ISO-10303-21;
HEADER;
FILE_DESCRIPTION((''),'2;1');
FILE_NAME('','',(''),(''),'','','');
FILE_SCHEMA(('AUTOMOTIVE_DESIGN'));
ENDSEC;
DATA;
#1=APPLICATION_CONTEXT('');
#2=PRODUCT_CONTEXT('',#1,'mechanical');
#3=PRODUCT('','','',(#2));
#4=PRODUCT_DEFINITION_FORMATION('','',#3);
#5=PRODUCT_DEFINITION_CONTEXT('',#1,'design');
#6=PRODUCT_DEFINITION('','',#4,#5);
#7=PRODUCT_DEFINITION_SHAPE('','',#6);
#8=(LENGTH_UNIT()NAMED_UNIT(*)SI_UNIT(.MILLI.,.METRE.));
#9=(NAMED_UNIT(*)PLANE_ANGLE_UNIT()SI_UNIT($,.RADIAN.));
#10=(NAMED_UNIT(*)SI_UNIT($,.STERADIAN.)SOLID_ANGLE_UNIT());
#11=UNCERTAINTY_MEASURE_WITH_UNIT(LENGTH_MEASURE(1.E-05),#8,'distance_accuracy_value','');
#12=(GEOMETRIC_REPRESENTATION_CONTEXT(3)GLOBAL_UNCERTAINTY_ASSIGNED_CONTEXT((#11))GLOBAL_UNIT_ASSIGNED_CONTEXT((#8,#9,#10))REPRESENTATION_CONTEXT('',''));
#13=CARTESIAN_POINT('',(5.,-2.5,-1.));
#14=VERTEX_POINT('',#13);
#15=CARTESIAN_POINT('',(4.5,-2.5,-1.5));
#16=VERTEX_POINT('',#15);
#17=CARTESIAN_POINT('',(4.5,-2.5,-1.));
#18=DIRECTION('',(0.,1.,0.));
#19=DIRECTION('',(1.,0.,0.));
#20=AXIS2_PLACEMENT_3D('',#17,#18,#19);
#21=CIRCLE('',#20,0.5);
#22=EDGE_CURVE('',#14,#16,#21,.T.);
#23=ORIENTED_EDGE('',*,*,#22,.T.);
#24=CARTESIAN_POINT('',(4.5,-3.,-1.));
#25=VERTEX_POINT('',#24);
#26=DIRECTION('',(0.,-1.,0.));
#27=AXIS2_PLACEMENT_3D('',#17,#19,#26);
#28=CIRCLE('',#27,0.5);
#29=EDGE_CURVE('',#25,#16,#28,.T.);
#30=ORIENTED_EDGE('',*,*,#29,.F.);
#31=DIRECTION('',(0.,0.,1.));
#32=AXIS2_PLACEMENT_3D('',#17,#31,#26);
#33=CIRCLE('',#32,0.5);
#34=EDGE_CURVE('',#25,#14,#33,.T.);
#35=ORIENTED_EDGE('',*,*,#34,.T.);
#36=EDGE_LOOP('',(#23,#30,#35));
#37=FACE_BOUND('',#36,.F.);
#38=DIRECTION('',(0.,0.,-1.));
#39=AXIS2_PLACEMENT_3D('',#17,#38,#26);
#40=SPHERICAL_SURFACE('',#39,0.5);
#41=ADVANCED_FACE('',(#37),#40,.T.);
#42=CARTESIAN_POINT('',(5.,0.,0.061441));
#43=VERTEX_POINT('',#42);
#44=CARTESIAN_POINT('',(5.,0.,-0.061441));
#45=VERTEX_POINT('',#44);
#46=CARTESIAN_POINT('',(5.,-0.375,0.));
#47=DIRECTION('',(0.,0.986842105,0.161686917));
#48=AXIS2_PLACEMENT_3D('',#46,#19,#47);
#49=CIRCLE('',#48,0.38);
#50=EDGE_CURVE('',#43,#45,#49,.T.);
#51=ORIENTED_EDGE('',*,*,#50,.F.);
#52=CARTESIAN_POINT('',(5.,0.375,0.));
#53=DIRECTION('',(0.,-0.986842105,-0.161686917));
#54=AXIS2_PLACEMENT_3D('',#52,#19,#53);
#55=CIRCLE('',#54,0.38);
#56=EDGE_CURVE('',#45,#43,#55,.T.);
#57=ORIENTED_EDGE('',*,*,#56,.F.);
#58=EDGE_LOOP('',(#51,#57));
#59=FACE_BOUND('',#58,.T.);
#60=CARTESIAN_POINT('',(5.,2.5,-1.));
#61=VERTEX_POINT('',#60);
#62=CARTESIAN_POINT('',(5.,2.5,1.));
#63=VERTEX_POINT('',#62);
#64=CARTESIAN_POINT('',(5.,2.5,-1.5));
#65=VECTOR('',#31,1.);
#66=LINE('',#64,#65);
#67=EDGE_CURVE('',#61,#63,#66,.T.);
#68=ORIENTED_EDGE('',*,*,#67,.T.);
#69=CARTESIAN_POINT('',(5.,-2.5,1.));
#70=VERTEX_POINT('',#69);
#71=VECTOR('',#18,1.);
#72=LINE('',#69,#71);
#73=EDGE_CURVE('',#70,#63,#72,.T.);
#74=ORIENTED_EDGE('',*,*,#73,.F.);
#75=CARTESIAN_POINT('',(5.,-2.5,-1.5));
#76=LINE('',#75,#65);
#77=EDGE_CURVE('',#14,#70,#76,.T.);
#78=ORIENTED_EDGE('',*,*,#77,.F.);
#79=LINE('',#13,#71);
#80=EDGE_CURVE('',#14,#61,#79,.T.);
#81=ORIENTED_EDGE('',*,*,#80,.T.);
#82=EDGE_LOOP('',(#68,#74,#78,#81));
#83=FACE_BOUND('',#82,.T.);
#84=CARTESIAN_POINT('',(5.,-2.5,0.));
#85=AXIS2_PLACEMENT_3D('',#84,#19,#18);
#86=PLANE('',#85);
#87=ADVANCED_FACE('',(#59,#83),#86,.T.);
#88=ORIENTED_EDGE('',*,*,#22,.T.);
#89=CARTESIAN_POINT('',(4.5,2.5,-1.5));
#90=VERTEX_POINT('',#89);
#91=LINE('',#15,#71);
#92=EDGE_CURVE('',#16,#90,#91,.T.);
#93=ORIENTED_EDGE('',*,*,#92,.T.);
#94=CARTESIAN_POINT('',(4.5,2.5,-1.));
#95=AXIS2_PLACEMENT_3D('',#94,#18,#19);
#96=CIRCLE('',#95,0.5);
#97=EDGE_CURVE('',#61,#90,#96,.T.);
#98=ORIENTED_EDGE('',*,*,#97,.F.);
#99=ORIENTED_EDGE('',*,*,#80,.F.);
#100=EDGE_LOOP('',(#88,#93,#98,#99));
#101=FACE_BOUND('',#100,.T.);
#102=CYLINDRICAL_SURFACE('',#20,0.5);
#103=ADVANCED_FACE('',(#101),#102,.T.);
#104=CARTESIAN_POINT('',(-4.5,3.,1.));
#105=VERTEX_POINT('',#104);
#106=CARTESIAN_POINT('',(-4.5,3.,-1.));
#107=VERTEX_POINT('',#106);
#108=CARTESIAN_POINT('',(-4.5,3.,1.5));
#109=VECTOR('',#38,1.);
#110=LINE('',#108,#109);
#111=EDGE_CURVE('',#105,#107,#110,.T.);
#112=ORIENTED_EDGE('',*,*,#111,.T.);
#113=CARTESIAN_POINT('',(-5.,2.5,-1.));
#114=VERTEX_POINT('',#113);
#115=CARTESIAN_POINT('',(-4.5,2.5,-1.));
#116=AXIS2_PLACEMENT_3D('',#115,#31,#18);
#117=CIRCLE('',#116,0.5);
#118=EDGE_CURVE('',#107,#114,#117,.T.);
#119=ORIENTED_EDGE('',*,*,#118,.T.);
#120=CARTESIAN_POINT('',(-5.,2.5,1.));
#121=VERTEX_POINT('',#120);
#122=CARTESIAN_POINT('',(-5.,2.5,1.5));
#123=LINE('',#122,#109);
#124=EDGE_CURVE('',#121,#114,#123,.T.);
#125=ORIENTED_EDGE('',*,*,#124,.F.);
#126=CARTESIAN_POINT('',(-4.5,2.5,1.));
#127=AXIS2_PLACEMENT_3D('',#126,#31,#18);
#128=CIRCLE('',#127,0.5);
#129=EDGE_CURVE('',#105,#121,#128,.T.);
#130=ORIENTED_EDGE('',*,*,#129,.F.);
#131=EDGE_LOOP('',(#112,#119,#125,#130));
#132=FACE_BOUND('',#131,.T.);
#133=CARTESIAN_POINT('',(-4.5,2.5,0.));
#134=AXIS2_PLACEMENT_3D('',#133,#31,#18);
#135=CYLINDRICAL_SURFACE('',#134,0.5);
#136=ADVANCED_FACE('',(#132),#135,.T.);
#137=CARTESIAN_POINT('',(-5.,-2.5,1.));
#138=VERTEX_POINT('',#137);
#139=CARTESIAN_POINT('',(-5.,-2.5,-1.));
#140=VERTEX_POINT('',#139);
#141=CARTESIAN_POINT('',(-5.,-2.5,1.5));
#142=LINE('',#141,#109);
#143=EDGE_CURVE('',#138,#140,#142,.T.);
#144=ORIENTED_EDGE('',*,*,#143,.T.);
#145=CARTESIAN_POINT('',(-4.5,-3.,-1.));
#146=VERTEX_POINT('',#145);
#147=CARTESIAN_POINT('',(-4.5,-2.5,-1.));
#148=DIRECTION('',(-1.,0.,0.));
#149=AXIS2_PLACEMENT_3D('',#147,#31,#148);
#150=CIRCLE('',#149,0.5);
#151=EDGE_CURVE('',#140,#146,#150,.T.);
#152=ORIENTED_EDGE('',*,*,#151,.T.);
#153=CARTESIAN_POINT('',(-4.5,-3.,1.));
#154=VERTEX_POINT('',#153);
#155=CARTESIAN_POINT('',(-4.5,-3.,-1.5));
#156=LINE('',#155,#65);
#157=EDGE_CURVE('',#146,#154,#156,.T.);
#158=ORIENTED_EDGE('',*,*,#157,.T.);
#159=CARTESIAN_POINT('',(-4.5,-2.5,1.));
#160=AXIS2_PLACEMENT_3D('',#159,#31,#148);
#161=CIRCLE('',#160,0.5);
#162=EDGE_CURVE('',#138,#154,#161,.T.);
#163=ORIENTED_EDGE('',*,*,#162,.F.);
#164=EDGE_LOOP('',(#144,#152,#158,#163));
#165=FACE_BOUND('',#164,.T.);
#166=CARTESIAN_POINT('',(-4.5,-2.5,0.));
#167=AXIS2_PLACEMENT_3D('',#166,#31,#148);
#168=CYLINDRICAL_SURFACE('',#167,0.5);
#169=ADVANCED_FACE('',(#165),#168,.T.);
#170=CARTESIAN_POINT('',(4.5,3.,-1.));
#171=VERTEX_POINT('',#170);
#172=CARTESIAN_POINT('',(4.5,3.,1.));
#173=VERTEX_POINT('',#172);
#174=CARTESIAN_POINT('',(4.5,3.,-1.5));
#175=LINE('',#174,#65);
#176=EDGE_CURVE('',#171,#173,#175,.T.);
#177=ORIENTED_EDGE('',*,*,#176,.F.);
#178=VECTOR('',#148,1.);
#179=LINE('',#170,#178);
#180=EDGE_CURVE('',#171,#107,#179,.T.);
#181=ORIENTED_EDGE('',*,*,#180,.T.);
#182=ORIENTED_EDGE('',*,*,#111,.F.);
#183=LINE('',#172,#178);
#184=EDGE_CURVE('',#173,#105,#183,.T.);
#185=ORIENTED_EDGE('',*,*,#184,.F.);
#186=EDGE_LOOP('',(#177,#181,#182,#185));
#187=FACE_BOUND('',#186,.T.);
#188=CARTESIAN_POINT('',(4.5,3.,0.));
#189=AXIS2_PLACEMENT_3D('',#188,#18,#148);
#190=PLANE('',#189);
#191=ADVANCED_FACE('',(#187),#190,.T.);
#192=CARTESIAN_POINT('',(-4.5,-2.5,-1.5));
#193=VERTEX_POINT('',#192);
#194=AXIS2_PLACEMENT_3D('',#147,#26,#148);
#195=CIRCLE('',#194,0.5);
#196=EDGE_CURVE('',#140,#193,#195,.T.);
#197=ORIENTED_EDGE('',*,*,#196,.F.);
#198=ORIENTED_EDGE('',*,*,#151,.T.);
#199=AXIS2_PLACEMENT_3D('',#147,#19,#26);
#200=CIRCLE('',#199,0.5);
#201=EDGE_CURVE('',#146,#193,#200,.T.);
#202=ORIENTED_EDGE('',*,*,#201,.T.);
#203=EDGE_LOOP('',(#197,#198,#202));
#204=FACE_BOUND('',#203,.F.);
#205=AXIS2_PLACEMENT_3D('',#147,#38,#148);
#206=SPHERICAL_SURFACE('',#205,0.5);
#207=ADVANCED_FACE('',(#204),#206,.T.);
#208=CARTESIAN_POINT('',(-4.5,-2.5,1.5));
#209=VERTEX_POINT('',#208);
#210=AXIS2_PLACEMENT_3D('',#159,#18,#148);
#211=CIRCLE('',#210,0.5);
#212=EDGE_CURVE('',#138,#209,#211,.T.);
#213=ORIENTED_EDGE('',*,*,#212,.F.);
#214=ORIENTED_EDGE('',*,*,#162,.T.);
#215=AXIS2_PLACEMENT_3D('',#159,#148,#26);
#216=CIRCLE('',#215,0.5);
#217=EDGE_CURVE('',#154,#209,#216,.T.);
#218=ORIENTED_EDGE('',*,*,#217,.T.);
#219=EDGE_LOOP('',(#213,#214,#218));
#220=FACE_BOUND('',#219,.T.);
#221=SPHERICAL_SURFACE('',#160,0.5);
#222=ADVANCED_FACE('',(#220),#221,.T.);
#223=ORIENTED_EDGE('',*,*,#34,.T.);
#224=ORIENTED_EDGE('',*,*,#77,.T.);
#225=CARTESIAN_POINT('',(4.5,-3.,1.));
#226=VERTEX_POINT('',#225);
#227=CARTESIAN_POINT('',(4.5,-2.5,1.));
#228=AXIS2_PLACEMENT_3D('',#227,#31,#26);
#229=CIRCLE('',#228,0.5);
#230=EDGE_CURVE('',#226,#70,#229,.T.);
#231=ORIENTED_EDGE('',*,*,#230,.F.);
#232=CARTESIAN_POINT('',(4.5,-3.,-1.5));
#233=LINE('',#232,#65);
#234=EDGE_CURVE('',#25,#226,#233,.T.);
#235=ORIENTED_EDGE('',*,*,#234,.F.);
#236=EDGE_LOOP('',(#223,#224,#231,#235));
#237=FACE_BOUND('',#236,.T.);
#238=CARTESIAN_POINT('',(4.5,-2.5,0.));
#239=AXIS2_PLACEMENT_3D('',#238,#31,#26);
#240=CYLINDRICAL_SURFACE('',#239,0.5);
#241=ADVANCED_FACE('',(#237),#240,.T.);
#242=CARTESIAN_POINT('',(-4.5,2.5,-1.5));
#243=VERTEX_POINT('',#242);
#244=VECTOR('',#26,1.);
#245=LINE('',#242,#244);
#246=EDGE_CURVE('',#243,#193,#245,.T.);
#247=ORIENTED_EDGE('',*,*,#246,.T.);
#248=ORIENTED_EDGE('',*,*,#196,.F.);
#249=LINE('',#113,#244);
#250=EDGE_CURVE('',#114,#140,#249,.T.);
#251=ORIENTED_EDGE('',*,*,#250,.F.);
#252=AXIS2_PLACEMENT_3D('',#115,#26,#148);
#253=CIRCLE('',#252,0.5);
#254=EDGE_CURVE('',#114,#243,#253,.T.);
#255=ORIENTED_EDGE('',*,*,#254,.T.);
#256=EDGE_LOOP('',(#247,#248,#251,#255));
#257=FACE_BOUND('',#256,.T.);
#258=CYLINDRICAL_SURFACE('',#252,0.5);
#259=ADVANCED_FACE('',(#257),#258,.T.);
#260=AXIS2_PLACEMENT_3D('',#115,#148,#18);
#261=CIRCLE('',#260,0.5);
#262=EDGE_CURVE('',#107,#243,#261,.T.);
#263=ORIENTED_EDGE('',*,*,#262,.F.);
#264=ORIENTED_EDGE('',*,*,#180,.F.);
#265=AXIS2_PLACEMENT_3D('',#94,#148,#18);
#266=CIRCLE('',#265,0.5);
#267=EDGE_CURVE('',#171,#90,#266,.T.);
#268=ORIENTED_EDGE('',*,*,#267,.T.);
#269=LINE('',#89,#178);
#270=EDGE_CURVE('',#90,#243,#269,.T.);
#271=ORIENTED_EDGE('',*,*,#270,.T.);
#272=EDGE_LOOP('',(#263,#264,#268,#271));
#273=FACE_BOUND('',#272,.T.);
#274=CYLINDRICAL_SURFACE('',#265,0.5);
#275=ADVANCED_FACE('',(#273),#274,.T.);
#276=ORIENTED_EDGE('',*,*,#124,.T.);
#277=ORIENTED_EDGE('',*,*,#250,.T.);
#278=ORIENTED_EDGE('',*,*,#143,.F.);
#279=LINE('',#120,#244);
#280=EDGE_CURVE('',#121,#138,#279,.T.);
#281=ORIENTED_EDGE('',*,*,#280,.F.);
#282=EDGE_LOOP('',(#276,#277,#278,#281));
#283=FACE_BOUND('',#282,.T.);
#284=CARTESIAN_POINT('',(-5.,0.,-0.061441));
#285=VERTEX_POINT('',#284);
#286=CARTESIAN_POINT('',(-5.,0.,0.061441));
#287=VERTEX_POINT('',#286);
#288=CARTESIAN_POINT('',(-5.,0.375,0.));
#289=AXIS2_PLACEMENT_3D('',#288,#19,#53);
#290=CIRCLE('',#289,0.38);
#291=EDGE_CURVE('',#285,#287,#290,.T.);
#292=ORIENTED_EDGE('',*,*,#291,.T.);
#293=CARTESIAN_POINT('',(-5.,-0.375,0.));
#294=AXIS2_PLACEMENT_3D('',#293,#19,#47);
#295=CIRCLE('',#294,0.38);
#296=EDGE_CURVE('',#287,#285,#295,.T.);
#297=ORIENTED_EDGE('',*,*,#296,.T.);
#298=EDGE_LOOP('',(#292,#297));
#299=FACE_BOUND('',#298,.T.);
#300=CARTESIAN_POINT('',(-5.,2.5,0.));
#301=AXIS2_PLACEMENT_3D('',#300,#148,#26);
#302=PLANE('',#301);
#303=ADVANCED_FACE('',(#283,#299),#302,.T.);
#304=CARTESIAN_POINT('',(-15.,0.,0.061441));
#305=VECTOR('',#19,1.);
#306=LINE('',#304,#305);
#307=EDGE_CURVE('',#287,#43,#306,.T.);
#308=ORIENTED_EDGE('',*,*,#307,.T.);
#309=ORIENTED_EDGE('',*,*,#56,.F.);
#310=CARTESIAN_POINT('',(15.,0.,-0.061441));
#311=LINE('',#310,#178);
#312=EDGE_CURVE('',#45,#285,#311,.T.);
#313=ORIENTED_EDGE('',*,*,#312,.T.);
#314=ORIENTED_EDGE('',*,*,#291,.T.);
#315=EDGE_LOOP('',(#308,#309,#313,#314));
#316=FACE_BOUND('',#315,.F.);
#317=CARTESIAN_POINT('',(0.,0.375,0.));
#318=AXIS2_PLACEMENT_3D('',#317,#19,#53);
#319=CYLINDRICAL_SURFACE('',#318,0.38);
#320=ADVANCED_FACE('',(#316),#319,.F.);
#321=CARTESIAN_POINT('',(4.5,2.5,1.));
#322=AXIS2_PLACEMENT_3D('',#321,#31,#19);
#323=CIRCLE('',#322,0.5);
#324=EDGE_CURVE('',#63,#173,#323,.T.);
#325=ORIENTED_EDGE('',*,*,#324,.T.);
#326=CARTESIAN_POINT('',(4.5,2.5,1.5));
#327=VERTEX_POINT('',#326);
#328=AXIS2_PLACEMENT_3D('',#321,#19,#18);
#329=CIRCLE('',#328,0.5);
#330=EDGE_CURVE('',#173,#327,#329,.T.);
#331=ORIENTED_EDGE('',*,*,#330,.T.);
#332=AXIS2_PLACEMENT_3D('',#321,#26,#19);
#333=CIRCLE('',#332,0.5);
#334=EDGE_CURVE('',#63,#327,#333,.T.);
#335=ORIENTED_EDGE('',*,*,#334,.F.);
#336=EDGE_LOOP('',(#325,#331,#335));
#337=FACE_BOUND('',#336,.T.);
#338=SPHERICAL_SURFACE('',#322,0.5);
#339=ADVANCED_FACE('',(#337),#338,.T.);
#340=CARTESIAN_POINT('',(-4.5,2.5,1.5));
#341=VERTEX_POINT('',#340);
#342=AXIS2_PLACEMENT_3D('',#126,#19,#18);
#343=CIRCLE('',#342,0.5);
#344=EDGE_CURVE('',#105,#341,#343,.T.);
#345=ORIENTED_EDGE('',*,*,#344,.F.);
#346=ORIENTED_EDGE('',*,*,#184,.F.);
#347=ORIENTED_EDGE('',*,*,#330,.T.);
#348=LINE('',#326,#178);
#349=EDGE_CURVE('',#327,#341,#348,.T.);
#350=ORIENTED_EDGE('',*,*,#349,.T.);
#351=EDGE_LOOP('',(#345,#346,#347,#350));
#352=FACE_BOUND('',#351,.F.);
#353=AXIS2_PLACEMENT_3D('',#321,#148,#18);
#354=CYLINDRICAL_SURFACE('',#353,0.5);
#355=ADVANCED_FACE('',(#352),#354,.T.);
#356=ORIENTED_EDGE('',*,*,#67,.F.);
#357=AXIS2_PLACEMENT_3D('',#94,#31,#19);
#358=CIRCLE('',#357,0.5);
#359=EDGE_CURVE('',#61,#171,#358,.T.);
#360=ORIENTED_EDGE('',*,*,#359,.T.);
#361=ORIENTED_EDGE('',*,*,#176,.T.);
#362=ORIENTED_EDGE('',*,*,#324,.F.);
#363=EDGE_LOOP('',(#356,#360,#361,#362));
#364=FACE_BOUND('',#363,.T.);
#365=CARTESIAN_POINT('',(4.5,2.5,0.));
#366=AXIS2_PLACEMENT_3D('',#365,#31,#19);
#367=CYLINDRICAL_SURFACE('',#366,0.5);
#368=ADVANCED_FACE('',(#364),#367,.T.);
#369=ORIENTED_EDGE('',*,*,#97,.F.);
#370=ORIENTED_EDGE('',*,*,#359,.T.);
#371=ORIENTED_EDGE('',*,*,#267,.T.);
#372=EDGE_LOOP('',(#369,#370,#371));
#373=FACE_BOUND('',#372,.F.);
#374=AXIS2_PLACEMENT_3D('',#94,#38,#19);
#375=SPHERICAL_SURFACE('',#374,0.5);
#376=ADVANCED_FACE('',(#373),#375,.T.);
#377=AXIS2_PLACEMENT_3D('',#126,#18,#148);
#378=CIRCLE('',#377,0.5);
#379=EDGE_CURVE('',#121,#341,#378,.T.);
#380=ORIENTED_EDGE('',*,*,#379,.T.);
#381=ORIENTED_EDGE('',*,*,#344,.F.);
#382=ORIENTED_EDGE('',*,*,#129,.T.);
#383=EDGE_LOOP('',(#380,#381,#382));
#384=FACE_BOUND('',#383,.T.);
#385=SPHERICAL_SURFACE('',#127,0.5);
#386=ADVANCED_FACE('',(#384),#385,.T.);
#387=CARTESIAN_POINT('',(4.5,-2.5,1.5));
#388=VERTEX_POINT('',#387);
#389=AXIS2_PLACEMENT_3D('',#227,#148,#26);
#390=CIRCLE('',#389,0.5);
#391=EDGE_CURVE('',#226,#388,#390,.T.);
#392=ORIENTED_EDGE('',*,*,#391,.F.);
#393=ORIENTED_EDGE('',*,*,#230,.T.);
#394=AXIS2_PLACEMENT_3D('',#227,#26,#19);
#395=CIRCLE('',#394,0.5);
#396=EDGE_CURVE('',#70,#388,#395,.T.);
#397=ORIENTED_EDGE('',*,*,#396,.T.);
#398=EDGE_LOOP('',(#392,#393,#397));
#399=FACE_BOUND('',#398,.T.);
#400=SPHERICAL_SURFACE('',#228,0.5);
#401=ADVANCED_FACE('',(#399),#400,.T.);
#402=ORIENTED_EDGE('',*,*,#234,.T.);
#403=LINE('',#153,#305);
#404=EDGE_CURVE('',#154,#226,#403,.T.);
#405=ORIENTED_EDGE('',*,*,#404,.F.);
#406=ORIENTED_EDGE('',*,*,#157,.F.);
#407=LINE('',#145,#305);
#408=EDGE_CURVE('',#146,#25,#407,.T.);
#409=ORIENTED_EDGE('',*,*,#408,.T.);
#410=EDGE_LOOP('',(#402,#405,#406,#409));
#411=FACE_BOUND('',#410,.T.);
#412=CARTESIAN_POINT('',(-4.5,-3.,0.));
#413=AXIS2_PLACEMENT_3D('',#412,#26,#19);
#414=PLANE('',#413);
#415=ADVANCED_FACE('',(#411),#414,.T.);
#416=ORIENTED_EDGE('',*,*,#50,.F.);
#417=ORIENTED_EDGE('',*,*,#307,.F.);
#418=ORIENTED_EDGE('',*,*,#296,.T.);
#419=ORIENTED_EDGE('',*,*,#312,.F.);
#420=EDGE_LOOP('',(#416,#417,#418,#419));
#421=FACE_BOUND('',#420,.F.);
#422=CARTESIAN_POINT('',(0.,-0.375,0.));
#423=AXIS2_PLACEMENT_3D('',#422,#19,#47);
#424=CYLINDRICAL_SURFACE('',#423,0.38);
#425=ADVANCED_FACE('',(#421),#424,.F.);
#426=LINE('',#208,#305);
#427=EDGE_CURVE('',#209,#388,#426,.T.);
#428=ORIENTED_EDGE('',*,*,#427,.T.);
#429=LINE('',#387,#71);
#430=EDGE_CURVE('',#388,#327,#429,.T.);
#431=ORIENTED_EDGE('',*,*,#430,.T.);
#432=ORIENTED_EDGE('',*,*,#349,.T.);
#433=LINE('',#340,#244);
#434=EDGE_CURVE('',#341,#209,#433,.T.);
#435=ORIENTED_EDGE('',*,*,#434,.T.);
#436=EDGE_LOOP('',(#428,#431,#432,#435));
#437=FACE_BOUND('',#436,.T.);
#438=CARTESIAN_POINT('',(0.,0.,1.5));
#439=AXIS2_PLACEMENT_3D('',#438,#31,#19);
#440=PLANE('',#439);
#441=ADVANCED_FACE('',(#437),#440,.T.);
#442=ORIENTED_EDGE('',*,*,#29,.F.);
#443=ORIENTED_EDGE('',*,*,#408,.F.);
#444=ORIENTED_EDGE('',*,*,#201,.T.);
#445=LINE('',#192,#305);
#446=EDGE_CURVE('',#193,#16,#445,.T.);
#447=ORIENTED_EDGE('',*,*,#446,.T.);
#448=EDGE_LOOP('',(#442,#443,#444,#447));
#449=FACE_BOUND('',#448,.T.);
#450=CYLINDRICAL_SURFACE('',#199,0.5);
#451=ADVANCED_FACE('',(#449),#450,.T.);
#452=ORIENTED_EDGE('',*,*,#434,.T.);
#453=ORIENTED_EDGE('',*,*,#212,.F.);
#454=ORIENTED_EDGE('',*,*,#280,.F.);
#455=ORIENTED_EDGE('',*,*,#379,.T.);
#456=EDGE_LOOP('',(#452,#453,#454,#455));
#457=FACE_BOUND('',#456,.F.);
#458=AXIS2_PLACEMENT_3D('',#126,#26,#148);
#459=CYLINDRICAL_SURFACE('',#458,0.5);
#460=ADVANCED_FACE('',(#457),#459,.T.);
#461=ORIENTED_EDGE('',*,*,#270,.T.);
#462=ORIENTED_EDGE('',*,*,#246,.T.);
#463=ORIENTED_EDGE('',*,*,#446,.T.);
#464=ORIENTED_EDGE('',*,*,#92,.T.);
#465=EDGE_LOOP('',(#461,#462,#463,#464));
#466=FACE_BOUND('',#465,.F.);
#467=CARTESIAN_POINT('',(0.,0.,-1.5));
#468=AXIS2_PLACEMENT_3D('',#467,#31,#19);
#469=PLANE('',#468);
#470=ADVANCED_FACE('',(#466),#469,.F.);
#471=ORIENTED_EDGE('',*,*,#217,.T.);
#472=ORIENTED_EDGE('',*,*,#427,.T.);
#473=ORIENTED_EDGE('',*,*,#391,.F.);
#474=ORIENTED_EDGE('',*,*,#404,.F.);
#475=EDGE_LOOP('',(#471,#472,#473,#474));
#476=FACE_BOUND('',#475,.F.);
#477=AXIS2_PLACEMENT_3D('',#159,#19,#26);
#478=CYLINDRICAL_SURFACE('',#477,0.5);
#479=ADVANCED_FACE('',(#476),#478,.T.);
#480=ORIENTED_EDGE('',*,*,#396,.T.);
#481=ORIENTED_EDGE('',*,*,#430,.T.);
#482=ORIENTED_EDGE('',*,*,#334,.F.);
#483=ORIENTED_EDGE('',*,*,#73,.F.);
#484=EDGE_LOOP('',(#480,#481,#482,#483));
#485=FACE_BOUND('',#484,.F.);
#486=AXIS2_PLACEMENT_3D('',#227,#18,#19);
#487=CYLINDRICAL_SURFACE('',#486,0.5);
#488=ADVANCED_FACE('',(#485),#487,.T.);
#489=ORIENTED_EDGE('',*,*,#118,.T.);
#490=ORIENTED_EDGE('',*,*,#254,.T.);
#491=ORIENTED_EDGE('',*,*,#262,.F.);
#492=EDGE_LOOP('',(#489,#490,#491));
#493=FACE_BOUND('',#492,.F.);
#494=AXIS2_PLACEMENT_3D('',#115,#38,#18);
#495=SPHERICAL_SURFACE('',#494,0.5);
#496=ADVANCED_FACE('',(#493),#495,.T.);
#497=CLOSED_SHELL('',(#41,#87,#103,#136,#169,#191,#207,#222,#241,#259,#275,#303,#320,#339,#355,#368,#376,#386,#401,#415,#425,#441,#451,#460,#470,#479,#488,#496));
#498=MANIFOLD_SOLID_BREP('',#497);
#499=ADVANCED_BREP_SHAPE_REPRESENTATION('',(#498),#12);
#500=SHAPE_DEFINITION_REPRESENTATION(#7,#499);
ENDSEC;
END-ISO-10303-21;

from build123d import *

# Parameters (mm, degrees)
F1_DEPTH = 1.5
F2_R     = 0.5
F4_DEPTH = 15


with BuildPart() as f1:
    # F0 (on Top) → F1 (new body, symmetric)
    with BuildSketch(Plane.XY):
        with BuildLine():
            ThreePointArc((-5, -2.5), (-4.8535533906, -2.8535533906), (-4.5, -3))
            Line((-4.5, -3), (4.5, -3))
            ThreePointArc((4.5, -3), (4.8535533906, -2.8535533906), (5, -2.5))
            Line((5, -2.5), (5, 2.5))
            ThreePointArc((5, 2.5), (4.8535533906, 2.8535533906), (4.5, 3))
            Line((4.5, 3), (-4.5, 3))
            ThreePointArc((-4.5, 3), (-4.8535533906, 2.8535533906), (-5, 2.5))
            Line((-5, 2.5), (-5, -2.5))
        make_face()
    extrude(amount=F1_DEPTH, both=True)

    # F2
    f2_edges = [f1.edges().sort_by_distance(p)[0] for p in [
        (0, 3, 1.5),
        (-5, 0, -1.5),
    ]]
    fillet(f2_edges, radius=F2_R)

    # F3 (on Right) → F4 (cut, symmetric)
    with BuildSketch(Plane.YZ):
        with BuildLine():
            ThreePointArc((0, -0.0614410286), (0.0037479373, -0.03082207), (0.005, 0))
            ThreePointArc((0.005, 0), (0.0037479373, 0.03082207), (0, 0.0614410286))
            ThreePointArc((0, 0.0614410286), (-0.005, 0), (0, -0.0614410286))
        make_face()
        with BuildLine():
            ThreePointArc((0, 0.0614410286), (0.0037479373, 0.03082207), (0.005, 0))
            ThreePointArc((0.005, 0), (0.0037479373, -0.03082207), (0, -0.0614410286))
            ThreePointArc((0, -0.0614410286), (0.40582207, -0.3787479373), (0.755, 0))
            ThreePointArc((0.755, 0), (0.40582207, 0.3787479373), (0, 0.0614410286))
        make_face()
        with BuildLine():
            ThreePointArc((0, -0.0614410286), (-0.005, 0), (0, 0.0614410286))
            ThreePointArc((0, 0.0614410286), (-0.755, 0), (0, -0.0614410286))
        make_face()
    extrude(amount=F4_DEPTH, both=True, mode=Mode.SUBTRACT)


solid = f1.part
